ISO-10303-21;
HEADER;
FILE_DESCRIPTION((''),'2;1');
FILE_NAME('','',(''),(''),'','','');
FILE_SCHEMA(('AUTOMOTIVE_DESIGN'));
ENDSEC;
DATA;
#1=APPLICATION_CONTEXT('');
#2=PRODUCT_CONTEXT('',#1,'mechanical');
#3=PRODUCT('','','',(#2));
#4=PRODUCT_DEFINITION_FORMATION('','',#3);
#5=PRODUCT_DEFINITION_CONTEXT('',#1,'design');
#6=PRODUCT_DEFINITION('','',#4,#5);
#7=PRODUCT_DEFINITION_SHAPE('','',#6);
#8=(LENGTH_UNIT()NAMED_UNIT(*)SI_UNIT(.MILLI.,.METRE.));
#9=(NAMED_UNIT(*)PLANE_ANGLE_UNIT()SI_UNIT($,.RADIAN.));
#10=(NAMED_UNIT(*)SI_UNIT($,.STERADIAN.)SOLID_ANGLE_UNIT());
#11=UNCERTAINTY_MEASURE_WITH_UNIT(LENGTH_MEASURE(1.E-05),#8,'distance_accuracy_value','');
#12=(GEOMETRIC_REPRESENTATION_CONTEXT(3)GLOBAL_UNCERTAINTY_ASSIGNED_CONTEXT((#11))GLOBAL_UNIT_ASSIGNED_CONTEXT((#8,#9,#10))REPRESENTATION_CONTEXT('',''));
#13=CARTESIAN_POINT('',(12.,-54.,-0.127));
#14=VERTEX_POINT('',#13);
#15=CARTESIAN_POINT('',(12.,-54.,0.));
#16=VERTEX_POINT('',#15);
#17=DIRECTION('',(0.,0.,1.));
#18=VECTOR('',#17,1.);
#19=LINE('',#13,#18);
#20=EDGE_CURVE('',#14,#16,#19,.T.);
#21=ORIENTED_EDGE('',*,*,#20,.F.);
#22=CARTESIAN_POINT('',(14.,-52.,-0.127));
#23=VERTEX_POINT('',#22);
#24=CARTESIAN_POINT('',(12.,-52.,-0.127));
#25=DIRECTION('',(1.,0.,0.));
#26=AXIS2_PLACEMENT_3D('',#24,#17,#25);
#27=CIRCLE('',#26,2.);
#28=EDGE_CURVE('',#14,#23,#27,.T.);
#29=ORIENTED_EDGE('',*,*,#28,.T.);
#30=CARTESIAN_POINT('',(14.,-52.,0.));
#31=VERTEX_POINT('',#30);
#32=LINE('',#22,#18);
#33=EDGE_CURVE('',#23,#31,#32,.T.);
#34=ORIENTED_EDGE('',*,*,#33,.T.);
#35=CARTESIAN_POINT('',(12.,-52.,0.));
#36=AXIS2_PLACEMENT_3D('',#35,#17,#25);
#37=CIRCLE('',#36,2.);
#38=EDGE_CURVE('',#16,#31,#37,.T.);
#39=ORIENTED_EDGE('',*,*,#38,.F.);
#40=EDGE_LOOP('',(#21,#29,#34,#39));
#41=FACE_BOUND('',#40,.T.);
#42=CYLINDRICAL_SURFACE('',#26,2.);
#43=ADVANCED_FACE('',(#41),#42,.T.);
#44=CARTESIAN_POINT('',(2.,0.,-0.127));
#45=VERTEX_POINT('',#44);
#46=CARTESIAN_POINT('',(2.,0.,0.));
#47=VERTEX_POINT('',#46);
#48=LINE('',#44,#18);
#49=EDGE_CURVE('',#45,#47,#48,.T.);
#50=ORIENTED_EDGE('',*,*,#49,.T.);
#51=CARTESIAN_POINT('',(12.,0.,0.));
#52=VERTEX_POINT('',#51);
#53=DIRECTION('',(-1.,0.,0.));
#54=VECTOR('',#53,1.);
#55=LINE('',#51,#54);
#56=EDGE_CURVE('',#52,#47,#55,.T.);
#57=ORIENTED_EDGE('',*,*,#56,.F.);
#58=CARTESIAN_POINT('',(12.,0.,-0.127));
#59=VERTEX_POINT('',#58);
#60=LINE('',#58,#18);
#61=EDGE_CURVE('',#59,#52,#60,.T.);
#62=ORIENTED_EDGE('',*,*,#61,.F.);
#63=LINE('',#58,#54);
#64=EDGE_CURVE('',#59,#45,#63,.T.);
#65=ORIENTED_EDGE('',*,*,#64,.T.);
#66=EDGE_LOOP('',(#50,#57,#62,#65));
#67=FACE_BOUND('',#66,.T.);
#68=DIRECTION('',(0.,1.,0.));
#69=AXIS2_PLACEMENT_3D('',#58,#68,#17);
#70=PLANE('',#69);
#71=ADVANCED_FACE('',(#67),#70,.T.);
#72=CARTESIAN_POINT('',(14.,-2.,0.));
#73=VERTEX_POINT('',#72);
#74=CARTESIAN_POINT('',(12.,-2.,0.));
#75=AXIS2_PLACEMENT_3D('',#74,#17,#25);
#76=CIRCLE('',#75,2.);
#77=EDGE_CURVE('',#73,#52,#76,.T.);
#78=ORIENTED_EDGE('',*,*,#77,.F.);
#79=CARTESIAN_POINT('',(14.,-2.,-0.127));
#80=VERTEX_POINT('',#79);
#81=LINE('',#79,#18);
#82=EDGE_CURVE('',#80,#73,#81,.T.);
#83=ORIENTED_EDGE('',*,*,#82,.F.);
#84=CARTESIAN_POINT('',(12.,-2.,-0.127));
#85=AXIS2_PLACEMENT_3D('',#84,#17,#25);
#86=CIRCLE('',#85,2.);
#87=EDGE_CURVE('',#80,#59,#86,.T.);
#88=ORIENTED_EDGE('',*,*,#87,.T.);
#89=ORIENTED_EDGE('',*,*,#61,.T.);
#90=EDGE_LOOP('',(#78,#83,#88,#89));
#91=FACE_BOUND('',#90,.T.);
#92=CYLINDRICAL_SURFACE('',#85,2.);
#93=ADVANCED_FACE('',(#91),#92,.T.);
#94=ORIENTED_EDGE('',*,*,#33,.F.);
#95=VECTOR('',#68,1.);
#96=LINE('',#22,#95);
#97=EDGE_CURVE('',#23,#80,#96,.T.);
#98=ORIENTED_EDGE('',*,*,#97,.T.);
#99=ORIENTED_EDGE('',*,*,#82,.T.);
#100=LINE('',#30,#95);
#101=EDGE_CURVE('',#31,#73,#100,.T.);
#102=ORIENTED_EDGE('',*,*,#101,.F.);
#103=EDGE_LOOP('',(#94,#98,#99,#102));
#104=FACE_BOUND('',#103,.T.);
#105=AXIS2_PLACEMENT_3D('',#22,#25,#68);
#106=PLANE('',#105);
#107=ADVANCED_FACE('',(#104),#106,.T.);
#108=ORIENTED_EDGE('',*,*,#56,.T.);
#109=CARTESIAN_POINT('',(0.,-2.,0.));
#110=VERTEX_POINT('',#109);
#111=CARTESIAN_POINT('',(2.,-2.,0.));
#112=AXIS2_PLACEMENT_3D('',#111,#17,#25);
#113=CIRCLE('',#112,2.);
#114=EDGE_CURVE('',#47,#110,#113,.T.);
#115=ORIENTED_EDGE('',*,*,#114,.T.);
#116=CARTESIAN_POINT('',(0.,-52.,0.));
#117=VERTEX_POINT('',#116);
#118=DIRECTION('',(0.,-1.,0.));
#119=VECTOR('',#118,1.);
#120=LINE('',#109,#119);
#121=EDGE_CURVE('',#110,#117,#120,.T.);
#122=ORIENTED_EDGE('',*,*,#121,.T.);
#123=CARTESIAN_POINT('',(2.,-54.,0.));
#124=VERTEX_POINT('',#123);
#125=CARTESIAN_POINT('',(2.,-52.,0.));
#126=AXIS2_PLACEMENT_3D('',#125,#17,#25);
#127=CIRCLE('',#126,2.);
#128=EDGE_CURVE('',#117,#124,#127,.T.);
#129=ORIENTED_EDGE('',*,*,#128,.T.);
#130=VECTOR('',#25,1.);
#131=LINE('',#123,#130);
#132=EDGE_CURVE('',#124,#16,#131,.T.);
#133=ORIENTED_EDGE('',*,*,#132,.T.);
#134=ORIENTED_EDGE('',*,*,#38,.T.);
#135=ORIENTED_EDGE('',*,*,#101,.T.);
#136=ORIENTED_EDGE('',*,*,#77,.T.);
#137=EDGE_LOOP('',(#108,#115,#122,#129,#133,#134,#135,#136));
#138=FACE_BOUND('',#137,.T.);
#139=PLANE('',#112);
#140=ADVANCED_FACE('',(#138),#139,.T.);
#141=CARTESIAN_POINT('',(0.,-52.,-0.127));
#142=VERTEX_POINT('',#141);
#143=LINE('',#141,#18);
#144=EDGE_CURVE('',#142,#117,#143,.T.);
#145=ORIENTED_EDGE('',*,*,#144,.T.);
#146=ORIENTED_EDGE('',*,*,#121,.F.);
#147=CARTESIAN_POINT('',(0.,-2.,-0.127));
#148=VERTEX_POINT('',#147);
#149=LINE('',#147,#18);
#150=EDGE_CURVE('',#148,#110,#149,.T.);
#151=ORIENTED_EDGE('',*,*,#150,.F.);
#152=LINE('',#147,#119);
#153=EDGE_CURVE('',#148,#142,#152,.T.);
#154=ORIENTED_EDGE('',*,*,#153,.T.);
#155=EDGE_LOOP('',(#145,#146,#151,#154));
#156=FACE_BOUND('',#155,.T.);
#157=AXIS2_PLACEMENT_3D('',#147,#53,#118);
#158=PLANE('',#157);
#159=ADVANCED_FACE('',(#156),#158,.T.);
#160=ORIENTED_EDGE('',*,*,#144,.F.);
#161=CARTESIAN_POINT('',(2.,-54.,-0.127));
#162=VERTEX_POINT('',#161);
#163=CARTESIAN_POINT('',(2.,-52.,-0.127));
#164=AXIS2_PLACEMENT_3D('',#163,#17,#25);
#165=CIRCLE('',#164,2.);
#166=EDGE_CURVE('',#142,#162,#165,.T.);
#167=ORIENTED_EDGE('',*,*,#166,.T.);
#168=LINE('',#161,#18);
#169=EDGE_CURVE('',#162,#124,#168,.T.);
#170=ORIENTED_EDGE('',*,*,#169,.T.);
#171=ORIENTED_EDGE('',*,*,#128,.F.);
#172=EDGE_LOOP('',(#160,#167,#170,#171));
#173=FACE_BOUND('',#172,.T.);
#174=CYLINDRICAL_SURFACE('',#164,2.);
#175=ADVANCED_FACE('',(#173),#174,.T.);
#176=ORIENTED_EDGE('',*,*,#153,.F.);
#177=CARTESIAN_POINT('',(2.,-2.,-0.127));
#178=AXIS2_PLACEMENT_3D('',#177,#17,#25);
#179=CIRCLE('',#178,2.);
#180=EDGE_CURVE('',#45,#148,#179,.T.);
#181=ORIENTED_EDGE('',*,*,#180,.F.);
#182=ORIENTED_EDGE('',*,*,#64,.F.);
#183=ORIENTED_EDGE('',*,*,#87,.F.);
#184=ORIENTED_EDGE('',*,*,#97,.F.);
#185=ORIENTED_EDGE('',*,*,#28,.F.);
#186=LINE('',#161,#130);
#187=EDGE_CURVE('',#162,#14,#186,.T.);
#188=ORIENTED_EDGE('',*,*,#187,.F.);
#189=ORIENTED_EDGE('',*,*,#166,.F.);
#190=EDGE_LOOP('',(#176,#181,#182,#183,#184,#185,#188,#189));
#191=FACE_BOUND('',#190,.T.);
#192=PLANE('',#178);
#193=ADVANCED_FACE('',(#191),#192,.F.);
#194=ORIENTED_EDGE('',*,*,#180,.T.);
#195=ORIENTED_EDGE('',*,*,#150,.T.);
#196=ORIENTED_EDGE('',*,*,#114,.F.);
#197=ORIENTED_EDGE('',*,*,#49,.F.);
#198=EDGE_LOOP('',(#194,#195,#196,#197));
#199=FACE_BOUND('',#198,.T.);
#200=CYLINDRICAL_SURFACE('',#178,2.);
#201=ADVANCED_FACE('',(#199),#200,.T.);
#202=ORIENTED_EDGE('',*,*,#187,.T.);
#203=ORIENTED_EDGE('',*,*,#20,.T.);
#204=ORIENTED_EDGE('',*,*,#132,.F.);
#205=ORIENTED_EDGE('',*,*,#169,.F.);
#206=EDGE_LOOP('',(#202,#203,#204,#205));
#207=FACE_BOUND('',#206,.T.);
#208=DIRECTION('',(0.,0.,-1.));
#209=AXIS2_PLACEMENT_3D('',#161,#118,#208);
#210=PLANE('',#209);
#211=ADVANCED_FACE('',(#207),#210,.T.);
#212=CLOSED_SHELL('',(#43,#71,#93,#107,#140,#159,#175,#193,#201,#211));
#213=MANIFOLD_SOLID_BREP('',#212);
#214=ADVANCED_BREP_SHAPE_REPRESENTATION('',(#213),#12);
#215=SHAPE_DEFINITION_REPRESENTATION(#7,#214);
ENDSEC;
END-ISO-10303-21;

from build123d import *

# Parameters (mm, degrees)
BOSS_EXTRUDE1_DEPTH = 0.127


with BuildPart() as part:
    # Sketch1 → Boss-Extrude1 (new body)
    with BuildSketch(Plane.XY):
        with BuildLine():
            Line((0, -2), (0, -52))
            ThreePointArc((0, -52), (0.585786438, -53.414213562), (2, -54))
            Line((2, -54), (12, -54))
            ThreePointArc((12, -54), (13.414213562, -53.414213562), (14, -52))
            Line((14, -52), (14, -2))
            ThreePointArc((14, -2), (13.414213562, -0.585786438), (12, 0))
            Line((12, 0), (2, 0))
            ThreePointArc((2, 0), (0.585786438, -0.585786438), (0, -2))
        make_face()
    extrude(amount=-BOSS_EXTRUDE1_DEPTH)


solid = part.part
